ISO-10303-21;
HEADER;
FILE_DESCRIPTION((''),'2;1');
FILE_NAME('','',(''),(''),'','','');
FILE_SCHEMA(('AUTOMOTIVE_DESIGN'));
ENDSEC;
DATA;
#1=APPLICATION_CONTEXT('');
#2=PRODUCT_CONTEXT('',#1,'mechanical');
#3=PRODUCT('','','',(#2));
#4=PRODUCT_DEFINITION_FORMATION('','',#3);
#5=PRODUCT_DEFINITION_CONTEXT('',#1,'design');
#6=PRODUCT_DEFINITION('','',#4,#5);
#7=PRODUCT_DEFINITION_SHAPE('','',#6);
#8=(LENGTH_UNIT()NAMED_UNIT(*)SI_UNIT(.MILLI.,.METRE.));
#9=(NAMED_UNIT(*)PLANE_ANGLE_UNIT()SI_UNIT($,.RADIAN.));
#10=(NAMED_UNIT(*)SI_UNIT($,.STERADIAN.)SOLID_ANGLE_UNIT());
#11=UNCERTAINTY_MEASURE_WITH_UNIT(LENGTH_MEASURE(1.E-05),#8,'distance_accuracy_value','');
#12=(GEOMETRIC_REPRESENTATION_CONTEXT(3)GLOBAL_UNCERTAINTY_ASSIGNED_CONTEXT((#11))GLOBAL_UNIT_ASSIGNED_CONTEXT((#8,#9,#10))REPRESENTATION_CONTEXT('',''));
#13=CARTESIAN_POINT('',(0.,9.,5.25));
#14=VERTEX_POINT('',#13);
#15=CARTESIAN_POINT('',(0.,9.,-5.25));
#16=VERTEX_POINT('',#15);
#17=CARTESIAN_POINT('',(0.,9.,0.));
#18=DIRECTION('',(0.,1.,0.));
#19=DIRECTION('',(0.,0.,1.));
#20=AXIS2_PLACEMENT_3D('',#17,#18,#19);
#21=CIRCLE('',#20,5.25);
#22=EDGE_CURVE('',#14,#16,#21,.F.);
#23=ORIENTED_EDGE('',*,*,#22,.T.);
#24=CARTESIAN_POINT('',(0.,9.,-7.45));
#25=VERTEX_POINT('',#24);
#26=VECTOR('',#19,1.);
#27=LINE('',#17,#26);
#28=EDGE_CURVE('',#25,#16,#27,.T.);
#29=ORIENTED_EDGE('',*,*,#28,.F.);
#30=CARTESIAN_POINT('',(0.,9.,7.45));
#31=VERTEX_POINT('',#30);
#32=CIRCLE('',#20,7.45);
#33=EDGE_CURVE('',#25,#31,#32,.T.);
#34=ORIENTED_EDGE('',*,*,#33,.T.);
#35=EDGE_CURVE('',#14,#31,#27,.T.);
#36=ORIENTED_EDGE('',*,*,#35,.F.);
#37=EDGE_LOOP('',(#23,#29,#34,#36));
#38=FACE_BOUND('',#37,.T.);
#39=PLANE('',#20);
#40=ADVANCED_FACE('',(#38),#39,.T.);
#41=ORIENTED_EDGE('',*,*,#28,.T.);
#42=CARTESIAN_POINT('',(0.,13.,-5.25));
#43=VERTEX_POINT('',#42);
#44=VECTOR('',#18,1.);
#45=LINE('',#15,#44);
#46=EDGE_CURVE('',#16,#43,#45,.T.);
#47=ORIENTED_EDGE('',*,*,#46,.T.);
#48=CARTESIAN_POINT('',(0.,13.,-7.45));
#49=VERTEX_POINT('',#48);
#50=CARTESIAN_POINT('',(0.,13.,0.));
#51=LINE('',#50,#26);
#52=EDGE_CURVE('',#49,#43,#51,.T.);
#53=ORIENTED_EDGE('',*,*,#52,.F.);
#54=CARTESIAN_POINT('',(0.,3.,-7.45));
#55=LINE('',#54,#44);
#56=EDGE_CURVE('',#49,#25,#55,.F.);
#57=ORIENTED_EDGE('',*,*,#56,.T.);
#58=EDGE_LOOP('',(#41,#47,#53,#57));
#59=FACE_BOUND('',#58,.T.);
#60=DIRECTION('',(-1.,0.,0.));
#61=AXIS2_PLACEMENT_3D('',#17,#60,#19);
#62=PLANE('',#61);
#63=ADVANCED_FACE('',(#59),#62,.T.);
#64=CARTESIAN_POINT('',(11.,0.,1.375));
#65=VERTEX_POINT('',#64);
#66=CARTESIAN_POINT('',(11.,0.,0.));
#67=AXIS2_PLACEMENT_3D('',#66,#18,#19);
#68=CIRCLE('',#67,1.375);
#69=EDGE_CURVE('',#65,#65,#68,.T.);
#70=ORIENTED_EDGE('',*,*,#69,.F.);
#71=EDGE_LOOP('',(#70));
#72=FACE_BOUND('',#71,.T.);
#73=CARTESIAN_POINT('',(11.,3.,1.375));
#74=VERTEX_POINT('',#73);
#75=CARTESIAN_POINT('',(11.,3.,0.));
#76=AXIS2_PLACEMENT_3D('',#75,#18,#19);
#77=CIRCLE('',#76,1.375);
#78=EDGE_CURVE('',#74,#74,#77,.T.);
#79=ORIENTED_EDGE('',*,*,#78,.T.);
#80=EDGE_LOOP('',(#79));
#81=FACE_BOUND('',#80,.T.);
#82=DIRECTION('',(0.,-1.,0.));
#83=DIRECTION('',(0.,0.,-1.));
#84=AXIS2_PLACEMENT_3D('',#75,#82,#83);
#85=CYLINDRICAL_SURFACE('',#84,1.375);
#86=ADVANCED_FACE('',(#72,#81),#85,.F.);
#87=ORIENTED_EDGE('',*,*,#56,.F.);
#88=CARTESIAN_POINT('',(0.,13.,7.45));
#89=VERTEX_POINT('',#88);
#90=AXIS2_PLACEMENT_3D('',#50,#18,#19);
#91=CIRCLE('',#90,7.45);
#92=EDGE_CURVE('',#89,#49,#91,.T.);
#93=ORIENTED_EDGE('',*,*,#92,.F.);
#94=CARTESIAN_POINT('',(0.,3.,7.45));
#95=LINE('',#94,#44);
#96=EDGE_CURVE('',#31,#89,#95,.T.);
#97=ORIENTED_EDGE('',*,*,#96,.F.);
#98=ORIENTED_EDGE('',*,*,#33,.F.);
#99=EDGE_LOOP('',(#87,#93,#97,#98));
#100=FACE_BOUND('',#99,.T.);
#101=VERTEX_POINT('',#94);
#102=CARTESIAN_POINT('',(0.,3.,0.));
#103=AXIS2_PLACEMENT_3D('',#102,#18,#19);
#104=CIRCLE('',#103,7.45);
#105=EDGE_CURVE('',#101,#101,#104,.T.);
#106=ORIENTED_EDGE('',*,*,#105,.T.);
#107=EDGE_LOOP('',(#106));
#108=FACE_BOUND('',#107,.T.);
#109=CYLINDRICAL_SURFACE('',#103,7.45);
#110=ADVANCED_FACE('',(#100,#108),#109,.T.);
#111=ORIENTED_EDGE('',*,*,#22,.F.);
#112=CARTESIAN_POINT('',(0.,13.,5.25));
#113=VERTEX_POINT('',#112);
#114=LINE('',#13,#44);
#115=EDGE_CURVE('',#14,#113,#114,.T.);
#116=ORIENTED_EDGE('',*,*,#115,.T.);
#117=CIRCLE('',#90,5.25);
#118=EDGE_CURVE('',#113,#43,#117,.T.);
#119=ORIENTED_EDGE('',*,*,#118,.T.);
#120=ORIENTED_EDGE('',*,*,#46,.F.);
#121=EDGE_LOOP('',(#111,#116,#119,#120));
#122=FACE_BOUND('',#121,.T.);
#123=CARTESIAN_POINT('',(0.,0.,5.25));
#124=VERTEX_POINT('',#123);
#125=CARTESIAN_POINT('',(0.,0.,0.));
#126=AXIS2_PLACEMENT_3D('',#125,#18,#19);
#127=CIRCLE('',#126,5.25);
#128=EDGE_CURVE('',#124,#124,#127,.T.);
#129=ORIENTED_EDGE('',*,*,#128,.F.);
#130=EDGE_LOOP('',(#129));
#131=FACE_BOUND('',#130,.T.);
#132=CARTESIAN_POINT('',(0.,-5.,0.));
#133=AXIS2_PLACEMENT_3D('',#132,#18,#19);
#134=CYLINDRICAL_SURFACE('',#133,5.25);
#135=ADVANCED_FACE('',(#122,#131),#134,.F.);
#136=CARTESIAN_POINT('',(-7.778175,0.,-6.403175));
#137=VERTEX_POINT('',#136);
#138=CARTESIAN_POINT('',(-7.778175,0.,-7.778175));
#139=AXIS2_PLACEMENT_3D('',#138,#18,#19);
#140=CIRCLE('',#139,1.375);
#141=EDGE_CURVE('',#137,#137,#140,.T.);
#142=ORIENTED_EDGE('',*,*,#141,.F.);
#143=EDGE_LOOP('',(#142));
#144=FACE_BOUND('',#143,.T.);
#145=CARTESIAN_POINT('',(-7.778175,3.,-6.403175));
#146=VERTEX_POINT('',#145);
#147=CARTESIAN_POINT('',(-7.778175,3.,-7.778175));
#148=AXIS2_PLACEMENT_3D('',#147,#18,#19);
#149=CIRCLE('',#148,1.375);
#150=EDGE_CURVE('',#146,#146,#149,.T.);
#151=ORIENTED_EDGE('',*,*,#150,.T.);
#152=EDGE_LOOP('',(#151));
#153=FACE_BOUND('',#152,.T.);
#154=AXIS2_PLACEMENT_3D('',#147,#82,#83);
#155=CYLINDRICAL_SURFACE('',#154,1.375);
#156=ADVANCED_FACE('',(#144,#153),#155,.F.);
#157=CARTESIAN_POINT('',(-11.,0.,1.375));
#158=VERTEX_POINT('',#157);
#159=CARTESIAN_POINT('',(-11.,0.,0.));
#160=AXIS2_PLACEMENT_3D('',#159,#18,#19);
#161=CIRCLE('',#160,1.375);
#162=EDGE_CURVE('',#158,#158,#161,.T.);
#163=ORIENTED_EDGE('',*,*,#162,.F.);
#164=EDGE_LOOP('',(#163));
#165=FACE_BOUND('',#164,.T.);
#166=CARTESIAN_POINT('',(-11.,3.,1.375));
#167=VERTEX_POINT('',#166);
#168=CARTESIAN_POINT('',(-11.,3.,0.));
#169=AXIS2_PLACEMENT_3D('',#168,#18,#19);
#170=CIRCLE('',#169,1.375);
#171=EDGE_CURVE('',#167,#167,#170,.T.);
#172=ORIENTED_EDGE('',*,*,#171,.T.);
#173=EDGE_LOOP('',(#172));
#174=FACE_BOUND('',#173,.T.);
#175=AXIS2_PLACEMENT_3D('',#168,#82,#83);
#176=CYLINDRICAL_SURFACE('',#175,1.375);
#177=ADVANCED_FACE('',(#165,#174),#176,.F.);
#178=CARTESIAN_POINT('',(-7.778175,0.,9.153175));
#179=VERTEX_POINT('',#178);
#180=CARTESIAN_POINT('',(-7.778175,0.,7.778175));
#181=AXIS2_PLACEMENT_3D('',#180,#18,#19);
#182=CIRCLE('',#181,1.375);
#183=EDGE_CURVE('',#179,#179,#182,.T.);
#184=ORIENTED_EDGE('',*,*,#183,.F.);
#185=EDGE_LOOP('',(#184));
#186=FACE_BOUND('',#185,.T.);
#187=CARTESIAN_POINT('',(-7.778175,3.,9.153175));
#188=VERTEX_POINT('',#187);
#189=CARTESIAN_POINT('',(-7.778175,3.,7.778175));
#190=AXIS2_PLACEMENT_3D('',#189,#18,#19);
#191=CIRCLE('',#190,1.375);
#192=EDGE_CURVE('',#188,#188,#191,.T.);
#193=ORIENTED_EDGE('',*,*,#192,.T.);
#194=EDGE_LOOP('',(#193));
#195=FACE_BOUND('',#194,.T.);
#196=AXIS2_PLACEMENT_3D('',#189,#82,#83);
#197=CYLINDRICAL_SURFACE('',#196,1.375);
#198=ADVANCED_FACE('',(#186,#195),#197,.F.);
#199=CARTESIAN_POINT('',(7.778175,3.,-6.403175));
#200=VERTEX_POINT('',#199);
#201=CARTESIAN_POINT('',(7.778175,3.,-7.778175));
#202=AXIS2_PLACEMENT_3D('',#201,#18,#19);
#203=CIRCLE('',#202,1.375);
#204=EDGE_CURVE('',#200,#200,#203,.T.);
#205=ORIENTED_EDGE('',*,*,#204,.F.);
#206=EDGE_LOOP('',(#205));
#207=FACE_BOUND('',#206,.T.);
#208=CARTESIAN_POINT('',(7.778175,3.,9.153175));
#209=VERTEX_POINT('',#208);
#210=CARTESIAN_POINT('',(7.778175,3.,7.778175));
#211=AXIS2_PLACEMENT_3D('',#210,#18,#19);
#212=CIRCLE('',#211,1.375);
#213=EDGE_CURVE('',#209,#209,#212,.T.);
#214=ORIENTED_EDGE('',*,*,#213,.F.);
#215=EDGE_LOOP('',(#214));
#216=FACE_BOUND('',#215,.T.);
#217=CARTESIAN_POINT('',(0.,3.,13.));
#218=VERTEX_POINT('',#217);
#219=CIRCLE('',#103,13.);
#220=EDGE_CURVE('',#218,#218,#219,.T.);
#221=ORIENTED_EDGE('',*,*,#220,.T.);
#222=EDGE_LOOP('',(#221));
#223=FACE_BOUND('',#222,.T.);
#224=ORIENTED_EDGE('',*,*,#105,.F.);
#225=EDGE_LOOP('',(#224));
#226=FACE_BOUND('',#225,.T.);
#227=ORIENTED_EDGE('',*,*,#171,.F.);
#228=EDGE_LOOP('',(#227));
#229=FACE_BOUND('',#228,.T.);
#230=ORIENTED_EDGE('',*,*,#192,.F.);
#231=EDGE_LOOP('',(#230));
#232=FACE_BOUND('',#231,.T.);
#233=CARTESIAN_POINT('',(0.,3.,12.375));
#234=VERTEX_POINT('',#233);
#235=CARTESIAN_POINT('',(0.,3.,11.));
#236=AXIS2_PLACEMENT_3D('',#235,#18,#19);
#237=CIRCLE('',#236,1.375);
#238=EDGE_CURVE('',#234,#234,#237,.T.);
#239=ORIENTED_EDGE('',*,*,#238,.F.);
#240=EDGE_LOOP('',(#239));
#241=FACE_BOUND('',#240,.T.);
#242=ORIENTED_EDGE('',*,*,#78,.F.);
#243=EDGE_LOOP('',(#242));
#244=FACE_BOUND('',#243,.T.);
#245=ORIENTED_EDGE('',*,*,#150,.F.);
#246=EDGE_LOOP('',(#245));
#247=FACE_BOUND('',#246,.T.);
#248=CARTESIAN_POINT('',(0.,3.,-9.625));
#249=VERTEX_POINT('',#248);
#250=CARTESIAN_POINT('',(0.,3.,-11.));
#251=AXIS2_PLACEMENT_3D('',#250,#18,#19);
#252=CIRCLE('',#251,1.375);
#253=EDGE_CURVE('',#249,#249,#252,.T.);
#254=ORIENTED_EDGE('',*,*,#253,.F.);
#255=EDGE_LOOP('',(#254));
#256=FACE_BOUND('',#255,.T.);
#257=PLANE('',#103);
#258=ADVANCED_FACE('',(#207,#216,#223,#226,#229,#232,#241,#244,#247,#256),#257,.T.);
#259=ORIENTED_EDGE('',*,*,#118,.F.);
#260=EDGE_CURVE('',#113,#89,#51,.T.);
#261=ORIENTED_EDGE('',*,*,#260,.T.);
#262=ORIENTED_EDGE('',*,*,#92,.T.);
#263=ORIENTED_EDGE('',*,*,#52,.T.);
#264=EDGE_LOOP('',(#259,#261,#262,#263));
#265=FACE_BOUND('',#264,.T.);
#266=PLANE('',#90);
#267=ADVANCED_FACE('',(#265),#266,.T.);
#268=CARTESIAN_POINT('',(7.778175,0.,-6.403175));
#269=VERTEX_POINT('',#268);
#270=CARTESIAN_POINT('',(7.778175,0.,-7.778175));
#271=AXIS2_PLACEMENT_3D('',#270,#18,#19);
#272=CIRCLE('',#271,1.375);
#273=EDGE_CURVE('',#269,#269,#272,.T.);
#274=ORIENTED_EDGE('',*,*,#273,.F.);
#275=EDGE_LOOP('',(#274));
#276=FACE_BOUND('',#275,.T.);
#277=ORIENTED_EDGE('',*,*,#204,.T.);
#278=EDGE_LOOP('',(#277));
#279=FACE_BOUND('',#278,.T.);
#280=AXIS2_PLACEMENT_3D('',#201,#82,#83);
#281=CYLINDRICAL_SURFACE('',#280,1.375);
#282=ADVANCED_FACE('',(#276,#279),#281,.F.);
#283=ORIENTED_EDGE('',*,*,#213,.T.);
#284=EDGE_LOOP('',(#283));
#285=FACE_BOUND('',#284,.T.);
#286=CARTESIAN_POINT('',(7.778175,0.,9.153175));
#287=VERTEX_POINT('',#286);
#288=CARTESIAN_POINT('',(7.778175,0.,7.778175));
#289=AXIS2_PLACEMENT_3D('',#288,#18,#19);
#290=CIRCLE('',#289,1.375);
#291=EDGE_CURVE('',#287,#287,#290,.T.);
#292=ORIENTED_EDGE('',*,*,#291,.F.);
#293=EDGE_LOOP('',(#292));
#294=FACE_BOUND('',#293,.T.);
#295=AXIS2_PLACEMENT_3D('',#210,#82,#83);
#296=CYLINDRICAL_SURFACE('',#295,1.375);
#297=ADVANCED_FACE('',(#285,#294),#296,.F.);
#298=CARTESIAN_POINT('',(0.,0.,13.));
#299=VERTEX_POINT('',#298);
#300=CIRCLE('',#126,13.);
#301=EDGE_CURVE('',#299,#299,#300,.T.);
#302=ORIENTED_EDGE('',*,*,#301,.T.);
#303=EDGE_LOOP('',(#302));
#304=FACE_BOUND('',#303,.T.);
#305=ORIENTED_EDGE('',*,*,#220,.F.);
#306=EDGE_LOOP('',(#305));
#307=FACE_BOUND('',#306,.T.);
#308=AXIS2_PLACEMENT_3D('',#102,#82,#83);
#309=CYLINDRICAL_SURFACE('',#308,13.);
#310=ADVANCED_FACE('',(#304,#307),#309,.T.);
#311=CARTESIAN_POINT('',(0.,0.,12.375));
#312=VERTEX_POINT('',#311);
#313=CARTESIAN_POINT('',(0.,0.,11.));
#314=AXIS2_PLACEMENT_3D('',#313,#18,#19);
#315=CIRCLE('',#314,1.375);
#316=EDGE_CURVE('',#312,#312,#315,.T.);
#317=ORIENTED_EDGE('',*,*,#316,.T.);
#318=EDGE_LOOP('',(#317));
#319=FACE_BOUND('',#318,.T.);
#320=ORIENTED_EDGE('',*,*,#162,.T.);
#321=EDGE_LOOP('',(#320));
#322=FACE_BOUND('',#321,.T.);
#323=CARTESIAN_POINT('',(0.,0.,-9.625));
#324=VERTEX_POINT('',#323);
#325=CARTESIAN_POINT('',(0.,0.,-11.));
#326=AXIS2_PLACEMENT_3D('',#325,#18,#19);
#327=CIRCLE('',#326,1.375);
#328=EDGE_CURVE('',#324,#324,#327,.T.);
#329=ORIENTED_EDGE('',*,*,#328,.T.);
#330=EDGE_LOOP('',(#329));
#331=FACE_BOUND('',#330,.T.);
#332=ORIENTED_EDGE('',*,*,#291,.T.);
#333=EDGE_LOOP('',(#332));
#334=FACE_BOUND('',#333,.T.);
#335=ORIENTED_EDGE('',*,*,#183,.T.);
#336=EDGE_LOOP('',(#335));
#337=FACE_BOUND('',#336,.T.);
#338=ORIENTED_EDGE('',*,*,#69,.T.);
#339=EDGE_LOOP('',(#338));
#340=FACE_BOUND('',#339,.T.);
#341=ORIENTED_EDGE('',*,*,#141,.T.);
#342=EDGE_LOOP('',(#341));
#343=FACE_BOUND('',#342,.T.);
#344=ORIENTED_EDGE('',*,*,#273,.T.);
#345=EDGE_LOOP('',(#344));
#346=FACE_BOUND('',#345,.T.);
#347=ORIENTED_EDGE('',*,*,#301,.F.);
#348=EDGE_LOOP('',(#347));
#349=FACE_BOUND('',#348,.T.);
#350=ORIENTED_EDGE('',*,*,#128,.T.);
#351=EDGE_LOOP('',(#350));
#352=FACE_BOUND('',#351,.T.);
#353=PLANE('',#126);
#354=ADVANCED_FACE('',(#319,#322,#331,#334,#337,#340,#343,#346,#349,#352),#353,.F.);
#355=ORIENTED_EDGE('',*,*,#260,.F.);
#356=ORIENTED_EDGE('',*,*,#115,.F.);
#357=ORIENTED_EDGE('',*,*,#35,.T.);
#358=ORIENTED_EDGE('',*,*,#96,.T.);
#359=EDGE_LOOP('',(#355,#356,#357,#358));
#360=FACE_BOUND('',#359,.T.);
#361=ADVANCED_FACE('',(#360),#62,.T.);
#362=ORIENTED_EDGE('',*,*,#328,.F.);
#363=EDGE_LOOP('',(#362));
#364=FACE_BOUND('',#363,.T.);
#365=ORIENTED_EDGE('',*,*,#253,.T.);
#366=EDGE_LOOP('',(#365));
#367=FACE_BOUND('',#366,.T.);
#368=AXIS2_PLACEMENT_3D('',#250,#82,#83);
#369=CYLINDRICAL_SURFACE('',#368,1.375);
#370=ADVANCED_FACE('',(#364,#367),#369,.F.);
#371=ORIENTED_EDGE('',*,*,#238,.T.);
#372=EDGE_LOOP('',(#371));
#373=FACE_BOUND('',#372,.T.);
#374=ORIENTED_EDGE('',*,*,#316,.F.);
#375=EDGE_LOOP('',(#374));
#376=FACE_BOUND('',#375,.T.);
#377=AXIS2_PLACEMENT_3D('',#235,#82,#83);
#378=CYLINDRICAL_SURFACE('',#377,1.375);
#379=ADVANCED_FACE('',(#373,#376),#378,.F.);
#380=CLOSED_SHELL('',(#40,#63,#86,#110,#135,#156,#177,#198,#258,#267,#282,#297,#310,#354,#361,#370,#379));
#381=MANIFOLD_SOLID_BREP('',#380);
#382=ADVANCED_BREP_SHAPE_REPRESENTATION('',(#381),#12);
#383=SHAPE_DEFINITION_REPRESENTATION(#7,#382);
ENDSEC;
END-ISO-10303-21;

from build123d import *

# Parameters (mm, degrees)
SKETCH1_R           = 13
SKETCH1_R_2         = 1.375
SKETCH1_R_3         = 5
BOSS_EXTRUDE1_DEPTH = 3
SKETCH2_R           = 7.5
SKETCH2_R_2         = 5
BOSS_EXTRUDE2_DEPTH = 10
SKETCH3_R           = 5.25
CUT_EXTRUDE1_DEPTH  = 18
CUT_EXTRUDE2_DEPTH  = 4
CUT_EXTRUDE3_START  = -10
SKETCH5_R           = 7.5
SKETCH5_R_2         = 7.45
CUT_EXTRUDE3_DEPTH  = 10


with BuildPart() as part:
    # Sketch1 → Boss-Extrude1 (new body)
    with BuildSketch(Plane(origin=(0, 0, 0), x_dir=(1, 0, 0), z_dir=(0, 1, 0))):
        with Locations(Location((0, 0, 0), (0, 0, 270))):
            Circle(SKETCH1_R)
        with Locations(Location((0, 11, 0), (0, 0, 270))):
            Circle(SKETCH1_R_2, mode=Mode.SUBTRACT)
        with Locations(Location((7.778174593, 7.778174593, 0), (0, 0, 270))):
            Circle(SKETCH1_R_2, mode=Mode.SUBTRACT)
        with Locations(Location((11, 0, 0), (0, 0, 270))):
            Circle(SKETCH1_R_2, mode=Mode.SUBTRACT)
        with Locations(Location((7.778174593, -7.778174593, 0), (0, 0, 270))):
            Circle(SKETCH1_R_2, mode=Mode.SUBTRACT)
        with Locations(Location((0, -11, 0), (0, 0, 270))):
            Circle(SKETCH1_R_2, mode=Mode.SUBTRACT)
        with Locations(Location((-7.778174593, -7.778174593, 0), (0, 0, 270))):
            Circle(SKETCH1_R_2, mode=Mode.SUBTRACT)
        with Locations(Location((-11, 0, 0), (0, 0, 270))):
            Circle(SKETCH1_R_2, mode=Mode.SUBTRACT)
        with Locations(Location((-7.778174593, 7.778174593, 0), (0, 0, 270))):
            Circle(SKETCH1_R_2, mode=Mode.SUBTRACT)
        with Locations(Location((0, 0, 0), (0, 0, 270))):
            Circle(SKETCH1_R_3, mode=Mode.SUBTRACT)
    extrude(amount=BOSS_EXTRUDE1_DEPTH)

    # Sketch2 → Boss-Extrude2 (add)
    with BuildSketch(Plane(origin=(0, 3, 0), x_dir=(1, 0, 0), z_dir=(0, 1, 0))):
        with Locations(Location((0, 0, 0), (0, 0, 270))):
            Circle(SKETCH2_R)
        with Locations(Location((0, 0, 0), (0, 0, 270))):
            Circle(SKETCH2_R_2, mode=Mode.SUBTRACT)
    extrude(amount=BOSS_EXTRUDE2_DEPTH)

    # Sketch3 → Cut-Extrude1 (cut)
    with BuildSketch(Plane(origin=(0, 13, 0), x_dir=(1, 0, 0), z_dir=(0, 1, 0))):
        with Locations(Location((0, 0, 0), (0, 0, 270))):
            Circle(SKETCH3_R)
    extrude(amount=-CUT_EXTRUDE1_DEPTH, mode=Mode.SUBTRACT)

    # Sketch4 → Cut-Extrude2 (cut)
    with BuildSketch(Plane(origin=(0, 13, 0), x_dir=(1, 0, 0), z_dir=(0, 1, 0))):
        with BuildLine():
            Line((0, 5.25), (0, 7.5))
            ThreePointArc((0, 7.5), (-7.5, 0), (0, -7.5))
            Line((0, -7.5), (0, -5.25))
            ThreePointArc((0, -5.25), (-5.25, 0), (0, 5.25))
        make_face()
    extrude(amount=-CUT_EXTRUDE2_DEPTH, mode=Mode.SUBTRACT)

    # Sketch5 → Cut-Extrude3 (cut)
    with BuildSketch(Plane(origin=(0, 13, 0), x_dir=(1, 0, 0), z_dir=(0, 1, 0)).offset(CUT_EXTRUDE3_START)):
        Circle(SKETCH5_R)
        with Locations(Location((0, 0, 0), (0, 0, 270))):
            Circle(SKETCH5_R_2, mode=Mode.SUBTRACT)
    extrude(amount=CUT_EXTRUDE3_DEPTH, mode=Mode.SUBTRACT)


solid = part.part
